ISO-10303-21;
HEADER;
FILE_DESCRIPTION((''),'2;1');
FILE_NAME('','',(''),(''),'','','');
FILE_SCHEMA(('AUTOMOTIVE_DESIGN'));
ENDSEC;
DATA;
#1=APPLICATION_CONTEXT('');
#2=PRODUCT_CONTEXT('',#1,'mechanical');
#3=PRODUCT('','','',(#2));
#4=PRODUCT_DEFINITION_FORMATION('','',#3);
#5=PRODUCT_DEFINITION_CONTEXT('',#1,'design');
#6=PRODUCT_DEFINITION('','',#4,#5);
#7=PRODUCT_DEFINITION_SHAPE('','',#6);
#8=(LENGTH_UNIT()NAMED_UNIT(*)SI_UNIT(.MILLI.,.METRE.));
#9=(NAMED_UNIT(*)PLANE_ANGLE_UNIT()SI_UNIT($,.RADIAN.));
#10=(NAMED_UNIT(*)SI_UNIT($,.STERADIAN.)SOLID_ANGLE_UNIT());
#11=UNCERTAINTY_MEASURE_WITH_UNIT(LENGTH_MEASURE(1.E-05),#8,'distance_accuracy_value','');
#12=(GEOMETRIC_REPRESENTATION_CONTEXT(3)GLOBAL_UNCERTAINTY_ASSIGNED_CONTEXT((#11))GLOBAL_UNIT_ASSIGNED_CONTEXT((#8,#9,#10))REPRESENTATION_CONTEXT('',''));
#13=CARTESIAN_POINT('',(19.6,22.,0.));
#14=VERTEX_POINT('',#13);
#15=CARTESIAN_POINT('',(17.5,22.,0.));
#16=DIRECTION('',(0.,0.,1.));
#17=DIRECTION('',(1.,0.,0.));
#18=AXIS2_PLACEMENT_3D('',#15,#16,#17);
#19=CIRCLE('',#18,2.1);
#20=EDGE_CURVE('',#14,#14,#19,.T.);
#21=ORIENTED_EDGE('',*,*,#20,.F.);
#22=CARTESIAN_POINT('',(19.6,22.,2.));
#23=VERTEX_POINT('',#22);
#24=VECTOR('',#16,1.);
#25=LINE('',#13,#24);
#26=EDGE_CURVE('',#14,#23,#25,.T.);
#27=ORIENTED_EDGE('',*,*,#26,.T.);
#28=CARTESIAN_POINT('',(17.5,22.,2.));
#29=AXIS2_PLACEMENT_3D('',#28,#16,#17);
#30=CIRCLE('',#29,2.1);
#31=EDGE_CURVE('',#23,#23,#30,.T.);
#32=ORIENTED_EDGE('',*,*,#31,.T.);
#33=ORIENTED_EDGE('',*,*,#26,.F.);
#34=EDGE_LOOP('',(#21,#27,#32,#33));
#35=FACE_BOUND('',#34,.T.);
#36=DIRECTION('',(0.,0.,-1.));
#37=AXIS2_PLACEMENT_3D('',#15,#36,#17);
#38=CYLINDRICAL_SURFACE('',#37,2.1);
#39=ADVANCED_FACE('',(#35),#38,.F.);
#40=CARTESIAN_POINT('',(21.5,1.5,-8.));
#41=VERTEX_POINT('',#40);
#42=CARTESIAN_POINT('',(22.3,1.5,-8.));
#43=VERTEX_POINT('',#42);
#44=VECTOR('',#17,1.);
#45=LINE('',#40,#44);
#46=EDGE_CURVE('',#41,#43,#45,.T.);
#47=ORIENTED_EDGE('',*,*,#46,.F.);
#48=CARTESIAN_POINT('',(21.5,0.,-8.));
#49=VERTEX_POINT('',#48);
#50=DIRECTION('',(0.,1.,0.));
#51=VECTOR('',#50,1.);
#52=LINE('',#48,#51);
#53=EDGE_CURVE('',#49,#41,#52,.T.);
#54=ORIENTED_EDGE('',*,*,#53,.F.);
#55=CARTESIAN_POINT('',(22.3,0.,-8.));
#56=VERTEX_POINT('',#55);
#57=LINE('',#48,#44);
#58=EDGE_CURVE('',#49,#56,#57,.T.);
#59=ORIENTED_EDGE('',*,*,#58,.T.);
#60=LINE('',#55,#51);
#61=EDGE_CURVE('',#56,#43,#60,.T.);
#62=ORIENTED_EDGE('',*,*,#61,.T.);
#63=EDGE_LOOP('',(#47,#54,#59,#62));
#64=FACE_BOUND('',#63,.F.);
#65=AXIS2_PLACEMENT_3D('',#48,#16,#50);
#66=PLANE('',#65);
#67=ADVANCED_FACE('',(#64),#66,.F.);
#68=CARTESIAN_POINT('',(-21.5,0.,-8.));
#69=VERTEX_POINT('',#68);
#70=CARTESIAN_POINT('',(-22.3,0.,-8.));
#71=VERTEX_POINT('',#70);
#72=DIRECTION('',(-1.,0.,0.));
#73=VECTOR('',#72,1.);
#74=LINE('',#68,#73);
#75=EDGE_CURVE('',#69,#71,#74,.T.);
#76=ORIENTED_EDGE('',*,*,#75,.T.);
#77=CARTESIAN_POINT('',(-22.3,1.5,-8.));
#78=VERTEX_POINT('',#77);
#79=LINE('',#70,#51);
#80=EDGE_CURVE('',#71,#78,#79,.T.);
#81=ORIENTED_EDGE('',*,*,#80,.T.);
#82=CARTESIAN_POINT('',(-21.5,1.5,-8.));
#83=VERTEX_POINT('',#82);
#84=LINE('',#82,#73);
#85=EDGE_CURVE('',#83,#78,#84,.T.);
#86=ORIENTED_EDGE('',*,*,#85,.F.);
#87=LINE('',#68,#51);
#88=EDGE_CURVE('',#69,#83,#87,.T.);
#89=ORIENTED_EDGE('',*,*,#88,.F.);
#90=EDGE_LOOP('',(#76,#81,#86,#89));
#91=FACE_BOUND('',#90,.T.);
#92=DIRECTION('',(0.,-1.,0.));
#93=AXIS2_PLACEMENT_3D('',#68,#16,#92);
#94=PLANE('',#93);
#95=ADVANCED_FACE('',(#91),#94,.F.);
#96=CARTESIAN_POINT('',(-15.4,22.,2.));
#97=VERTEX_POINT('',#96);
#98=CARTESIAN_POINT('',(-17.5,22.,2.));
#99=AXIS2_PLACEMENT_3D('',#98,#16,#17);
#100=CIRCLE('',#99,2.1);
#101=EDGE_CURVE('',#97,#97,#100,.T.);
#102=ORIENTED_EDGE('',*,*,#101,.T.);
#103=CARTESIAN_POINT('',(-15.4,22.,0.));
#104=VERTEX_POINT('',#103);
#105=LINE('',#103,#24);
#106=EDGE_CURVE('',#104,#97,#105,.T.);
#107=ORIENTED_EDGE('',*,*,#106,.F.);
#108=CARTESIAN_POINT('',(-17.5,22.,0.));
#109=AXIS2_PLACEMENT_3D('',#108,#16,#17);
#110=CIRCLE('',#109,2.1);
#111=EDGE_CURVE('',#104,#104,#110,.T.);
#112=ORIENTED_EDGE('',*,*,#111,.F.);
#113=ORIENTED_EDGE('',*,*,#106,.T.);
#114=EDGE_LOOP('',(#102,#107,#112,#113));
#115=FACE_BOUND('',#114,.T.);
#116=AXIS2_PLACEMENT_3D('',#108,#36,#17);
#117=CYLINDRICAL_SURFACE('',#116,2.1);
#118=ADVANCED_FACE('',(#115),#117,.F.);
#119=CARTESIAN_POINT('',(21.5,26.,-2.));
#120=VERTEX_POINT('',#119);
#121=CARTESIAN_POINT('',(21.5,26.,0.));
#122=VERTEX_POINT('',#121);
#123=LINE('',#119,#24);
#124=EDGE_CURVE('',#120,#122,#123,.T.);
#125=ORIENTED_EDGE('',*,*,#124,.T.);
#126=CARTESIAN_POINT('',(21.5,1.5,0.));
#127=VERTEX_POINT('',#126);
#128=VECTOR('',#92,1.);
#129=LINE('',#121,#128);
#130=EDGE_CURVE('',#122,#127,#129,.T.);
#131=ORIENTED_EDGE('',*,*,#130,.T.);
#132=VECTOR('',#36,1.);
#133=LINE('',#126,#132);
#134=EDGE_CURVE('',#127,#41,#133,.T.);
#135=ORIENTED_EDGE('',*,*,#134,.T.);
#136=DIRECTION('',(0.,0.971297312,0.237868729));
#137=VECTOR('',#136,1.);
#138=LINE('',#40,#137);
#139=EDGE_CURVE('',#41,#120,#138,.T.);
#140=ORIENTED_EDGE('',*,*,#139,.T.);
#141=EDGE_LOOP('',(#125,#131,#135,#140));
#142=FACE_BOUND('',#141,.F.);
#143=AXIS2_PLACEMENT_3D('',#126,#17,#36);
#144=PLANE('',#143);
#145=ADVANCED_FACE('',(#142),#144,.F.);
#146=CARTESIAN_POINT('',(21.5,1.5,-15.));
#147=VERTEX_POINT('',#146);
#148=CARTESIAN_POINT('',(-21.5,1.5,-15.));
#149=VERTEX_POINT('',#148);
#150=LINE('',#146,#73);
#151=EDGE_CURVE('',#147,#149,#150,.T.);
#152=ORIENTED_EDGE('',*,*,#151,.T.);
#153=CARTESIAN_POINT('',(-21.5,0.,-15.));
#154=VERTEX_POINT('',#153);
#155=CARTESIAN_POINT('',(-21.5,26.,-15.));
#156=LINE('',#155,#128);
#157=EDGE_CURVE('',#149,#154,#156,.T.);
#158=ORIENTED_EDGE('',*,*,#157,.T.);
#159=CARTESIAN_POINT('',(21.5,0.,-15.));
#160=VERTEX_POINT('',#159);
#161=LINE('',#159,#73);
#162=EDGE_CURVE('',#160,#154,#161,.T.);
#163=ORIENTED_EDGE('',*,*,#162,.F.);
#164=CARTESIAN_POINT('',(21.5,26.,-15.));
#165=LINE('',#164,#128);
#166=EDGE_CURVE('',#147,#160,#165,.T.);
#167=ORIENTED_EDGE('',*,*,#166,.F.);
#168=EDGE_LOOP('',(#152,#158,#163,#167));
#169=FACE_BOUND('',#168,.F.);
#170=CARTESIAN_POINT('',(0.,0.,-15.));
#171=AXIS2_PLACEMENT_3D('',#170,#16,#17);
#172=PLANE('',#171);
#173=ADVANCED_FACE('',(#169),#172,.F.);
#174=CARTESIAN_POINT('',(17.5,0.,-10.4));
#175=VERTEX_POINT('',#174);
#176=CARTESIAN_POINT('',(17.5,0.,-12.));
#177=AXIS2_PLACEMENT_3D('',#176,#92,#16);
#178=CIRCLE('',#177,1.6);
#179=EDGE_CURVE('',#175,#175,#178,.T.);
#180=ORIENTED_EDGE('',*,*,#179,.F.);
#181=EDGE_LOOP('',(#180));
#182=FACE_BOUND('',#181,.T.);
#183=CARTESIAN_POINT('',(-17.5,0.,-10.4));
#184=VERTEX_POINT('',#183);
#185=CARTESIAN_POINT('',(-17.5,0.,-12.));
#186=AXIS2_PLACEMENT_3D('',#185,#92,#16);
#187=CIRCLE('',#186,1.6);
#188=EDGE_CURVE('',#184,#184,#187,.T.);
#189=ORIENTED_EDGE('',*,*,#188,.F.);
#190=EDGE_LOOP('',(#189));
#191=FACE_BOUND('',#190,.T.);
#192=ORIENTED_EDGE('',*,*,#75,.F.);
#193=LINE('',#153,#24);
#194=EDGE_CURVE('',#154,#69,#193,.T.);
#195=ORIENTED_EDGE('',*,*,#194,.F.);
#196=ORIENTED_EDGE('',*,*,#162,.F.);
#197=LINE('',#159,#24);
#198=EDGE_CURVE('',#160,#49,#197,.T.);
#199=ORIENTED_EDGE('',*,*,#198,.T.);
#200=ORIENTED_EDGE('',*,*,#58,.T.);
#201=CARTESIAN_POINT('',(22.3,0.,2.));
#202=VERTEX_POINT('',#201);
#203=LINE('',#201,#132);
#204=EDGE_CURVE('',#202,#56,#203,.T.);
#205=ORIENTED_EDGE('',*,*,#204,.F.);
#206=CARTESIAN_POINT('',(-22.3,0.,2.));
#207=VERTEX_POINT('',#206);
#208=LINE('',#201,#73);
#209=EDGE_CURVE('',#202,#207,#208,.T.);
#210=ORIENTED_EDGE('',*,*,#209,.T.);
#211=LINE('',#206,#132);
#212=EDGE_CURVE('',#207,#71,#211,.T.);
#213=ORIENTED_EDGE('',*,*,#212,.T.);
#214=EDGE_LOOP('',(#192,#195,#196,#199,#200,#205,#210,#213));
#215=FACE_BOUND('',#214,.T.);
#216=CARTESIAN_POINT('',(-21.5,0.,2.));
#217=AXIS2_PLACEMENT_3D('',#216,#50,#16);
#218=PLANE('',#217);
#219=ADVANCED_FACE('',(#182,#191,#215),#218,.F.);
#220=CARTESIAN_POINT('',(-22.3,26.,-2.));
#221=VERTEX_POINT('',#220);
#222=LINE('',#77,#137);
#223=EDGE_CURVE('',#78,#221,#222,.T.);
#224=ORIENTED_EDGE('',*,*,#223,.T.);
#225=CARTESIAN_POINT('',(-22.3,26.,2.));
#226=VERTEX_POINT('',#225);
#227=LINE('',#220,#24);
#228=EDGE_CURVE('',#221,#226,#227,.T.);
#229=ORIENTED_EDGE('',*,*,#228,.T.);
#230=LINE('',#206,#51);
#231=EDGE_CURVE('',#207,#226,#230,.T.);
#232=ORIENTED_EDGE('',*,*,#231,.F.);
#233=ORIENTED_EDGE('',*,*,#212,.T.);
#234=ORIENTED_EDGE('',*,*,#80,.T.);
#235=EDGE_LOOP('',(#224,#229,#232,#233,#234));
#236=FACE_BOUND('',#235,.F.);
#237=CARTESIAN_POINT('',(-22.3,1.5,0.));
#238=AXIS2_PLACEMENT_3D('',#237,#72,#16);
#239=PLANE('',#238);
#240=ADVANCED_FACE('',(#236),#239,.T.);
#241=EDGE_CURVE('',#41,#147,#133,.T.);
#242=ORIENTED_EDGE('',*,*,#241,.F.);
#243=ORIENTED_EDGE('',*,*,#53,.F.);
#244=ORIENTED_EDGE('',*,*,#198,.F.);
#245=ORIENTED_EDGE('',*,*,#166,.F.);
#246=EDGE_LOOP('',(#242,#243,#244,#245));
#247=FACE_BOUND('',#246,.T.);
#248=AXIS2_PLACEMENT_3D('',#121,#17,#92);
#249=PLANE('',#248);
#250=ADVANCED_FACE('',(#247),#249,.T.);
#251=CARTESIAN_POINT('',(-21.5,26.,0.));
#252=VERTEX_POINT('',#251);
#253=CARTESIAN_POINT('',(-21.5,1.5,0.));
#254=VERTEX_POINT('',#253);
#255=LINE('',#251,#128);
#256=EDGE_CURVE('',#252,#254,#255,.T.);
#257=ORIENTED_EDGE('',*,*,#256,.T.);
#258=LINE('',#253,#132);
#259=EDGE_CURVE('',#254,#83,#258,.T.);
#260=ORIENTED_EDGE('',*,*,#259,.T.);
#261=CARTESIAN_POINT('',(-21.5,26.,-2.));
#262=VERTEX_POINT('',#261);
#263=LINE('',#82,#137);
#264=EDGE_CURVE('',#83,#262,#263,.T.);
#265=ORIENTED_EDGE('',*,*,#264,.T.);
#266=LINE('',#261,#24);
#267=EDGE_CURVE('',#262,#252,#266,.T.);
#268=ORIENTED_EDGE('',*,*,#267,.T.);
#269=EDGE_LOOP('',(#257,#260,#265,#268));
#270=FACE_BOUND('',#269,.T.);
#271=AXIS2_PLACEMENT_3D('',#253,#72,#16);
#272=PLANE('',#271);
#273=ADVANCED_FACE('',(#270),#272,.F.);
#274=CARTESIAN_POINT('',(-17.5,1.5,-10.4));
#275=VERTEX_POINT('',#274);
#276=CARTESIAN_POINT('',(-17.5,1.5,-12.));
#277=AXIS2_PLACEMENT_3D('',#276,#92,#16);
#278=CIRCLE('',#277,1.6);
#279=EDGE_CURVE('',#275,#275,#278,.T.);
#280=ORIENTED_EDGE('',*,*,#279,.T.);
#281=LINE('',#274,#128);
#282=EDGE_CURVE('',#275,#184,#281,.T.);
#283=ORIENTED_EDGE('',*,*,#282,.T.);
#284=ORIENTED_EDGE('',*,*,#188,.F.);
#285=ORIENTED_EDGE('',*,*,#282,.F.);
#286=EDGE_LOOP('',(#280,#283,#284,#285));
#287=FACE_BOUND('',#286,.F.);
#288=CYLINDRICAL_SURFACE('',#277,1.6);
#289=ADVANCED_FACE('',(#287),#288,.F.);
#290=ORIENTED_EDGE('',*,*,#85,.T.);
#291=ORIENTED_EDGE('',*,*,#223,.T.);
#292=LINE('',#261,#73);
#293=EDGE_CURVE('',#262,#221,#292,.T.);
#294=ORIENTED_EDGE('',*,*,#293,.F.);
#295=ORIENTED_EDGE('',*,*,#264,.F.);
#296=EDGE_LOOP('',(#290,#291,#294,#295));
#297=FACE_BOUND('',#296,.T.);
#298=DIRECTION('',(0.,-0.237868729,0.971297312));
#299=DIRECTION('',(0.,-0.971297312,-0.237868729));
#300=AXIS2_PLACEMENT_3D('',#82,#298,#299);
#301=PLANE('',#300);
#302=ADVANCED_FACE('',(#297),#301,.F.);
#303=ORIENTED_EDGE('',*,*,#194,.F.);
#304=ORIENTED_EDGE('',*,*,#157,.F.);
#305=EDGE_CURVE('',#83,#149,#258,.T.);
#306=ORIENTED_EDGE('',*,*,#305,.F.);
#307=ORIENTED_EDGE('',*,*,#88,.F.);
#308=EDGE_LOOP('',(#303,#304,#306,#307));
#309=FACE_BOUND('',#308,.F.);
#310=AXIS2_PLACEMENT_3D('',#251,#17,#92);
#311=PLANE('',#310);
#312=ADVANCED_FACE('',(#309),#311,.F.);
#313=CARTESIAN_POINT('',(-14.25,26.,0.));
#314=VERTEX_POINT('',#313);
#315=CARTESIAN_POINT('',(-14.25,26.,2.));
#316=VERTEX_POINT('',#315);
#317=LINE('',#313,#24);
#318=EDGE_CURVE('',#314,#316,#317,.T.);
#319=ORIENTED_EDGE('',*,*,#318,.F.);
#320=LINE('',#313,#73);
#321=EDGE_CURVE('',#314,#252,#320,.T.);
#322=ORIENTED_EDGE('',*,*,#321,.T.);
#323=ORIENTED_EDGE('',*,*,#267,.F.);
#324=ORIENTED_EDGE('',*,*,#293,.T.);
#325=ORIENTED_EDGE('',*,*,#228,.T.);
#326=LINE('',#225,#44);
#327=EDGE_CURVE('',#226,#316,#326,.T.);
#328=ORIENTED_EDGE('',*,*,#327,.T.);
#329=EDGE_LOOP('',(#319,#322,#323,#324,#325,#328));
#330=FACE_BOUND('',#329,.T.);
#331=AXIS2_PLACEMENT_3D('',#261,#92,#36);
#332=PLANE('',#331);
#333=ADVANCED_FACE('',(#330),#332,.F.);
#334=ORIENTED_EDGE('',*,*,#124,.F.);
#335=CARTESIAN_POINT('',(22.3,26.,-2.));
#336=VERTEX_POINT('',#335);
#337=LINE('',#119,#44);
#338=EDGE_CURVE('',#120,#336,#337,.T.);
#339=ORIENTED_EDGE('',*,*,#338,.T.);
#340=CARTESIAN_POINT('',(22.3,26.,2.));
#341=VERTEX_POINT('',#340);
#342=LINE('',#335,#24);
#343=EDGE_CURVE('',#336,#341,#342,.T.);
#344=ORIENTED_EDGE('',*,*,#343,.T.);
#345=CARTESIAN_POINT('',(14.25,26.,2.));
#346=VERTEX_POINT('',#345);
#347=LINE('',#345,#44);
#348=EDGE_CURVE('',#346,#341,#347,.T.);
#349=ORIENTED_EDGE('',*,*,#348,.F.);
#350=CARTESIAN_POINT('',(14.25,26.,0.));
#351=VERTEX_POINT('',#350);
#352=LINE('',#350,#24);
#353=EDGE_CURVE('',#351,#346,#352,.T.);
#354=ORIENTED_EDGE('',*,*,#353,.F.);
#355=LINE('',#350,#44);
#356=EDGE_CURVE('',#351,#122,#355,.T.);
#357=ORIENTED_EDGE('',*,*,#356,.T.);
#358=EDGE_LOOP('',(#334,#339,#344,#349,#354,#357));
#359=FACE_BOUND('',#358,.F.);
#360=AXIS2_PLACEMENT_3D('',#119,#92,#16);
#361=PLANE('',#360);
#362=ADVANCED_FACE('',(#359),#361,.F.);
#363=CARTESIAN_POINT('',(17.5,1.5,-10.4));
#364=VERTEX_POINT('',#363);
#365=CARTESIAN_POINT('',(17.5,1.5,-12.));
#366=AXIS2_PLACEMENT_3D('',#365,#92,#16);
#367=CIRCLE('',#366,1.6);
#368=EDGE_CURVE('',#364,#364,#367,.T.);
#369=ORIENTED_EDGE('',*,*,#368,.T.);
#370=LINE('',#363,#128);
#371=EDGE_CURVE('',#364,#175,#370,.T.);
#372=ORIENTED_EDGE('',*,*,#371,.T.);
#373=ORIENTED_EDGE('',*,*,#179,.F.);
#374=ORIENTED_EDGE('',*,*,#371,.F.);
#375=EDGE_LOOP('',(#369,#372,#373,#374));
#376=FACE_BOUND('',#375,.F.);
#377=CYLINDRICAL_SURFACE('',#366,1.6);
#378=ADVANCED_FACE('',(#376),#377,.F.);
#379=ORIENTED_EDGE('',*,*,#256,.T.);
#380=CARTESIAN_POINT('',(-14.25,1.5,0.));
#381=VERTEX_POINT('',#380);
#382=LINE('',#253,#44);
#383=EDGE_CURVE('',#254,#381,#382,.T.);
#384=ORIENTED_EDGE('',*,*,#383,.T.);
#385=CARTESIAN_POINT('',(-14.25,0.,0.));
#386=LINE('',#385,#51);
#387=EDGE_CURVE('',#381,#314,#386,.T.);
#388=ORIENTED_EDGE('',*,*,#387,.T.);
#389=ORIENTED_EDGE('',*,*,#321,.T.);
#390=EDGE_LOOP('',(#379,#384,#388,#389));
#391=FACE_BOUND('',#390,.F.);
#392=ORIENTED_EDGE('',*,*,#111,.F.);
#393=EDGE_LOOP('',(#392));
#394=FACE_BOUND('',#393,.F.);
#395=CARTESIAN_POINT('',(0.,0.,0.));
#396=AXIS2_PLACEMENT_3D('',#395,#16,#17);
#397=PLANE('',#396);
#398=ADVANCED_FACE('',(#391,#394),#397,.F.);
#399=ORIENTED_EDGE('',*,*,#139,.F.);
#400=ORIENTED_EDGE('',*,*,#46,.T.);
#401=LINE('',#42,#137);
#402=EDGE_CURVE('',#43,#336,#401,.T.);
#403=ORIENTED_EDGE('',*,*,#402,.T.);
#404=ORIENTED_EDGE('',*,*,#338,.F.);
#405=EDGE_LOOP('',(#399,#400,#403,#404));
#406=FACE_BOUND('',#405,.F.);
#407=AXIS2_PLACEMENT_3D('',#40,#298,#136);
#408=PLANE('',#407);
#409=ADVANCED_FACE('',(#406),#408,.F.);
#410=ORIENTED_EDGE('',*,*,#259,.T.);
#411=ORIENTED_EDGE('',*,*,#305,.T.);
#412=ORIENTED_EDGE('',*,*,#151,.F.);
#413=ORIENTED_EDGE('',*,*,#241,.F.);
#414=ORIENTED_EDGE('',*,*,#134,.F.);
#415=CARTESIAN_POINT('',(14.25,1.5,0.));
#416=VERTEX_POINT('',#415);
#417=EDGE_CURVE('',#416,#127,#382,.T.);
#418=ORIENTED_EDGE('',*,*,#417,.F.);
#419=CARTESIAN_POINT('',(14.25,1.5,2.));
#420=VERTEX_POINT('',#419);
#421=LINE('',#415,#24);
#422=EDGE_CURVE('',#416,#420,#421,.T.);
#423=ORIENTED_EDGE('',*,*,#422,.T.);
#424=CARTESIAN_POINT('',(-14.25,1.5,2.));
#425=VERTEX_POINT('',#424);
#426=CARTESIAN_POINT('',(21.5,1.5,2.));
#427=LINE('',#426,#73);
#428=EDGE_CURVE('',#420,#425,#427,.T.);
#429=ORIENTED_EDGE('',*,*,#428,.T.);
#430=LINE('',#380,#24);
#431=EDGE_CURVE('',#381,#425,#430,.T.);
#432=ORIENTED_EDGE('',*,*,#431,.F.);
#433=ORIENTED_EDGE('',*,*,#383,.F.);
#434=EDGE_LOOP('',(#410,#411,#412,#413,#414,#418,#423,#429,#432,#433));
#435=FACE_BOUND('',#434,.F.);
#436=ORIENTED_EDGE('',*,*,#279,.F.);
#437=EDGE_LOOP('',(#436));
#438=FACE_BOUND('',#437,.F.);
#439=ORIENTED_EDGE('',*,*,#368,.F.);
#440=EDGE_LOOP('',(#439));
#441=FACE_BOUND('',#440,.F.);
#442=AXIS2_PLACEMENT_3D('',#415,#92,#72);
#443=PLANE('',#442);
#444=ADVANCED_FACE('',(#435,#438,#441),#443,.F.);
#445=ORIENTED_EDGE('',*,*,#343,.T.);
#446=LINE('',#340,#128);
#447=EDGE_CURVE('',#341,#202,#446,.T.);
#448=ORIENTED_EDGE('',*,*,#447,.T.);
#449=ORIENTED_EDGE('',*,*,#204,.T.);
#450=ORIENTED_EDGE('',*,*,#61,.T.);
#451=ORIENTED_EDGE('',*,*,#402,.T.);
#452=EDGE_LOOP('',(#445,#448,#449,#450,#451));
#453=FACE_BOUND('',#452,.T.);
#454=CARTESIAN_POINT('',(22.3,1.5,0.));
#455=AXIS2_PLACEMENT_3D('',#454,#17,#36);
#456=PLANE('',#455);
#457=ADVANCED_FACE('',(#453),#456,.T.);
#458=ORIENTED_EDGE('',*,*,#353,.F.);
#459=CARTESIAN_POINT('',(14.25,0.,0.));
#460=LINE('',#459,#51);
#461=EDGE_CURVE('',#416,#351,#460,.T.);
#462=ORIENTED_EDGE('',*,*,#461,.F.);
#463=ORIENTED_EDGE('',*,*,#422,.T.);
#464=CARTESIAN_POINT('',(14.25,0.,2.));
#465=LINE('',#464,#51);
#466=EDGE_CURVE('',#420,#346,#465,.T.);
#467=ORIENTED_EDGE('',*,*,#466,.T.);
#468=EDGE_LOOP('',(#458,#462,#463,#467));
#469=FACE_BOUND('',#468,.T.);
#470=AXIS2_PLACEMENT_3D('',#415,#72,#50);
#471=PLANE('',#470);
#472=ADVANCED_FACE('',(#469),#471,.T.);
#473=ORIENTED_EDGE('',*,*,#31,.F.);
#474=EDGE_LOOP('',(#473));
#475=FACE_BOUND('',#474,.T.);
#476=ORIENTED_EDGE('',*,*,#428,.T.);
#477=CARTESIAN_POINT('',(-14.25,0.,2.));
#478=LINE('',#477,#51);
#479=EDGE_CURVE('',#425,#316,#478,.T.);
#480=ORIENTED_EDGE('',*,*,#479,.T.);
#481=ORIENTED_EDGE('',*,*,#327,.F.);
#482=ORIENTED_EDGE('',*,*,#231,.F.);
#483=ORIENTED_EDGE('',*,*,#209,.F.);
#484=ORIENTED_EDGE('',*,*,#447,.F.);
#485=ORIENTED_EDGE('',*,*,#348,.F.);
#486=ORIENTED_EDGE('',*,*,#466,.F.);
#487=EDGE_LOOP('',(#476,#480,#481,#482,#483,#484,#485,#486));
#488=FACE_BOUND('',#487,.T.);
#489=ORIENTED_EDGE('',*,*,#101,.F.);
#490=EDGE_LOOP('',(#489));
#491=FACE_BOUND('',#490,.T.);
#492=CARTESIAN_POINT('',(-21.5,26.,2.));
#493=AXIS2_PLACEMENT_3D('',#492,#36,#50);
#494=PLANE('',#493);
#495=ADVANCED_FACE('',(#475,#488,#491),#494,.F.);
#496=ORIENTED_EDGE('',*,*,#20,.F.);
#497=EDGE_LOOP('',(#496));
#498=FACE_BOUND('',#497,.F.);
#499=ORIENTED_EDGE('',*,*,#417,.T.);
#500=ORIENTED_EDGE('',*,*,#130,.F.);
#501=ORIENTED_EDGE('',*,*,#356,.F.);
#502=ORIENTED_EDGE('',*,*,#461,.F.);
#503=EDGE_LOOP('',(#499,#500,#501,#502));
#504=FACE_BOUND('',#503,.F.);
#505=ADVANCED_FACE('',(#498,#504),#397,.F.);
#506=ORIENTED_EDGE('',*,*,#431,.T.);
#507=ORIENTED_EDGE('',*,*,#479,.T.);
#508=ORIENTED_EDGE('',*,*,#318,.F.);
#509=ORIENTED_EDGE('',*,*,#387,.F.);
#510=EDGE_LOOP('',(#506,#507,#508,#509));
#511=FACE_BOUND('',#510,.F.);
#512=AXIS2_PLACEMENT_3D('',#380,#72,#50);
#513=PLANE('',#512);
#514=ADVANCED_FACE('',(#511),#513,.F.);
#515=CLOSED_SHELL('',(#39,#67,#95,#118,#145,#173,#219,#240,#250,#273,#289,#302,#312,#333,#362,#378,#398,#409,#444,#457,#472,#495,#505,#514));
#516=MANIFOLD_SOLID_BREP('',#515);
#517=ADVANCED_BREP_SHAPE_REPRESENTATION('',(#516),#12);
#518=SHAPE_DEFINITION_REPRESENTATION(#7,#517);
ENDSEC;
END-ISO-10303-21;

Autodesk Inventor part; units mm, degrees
ref_plane "YZ Plane" through (0, 0, 0) normal (1, 0, 0) x (0, 1, 0)
ref_plane "XZ Plane" through (0, 0, 0) normal (0, 1, 0) x (-1, 0, 0)
ref_plane "XY Plane" through (0, 0, 0) normal (0, 0, 1) x (1, 0, 0)
sketch "スケッチ1" plane through (0, 0, 0) normal (0, 0, 1) x (1, 0, 0)
  line L0 (0, 0) -> (0, 23.3181) construction
  line L1 (-22.6457, 22) -> (22.6457, 22) construction
  line L2 (-20.3832, 1.5) -> (20.3832, 1.5) construction
  circle A0 centre (0, 22) radius 14 construction
  line L3 (-22.6457, 14) -> (22.6457, 14) construction
  circle A1 centre (-17.5, 22) radius 2.1
  circle A2 centre (17.5, 22) radius 2.1
  line L4 (-21.5, 26) -> (-21.5, 0)
  line L5 (-21.5, 0) -> (-14.25, 0)
  line L6 (-14.25, 0) -> (-14.25, 26)
  line L7 (21.5, 26) -> (21.5, 0)
  line L8 (21.5, 0) -> (14.25, 0)
  line L9 (14.25, 0) -> (14.25, 26)
  line L10 (-14.25, 26) -> (-21.5, 26)
  line L11 (14.25, 26) -> (21.5, 26)
  line L12 (21.5, 1.5) -> (-21.5, 1.5)
  line L13 (-21.5, 1.5) -> (-21.5, 0)
  line L14 (-21.5, 0) -> (21.5, 0)
  line L15 (21.5, 0) -> (21.5, 1.5)
  point P0 (0, 1.5)
  point P1 (0, 14)
  point P2 (14.25, 1.5)
  point P3 (-14.25, 1.5)
  point P4 (0, 0)
  dimension "d0" = 28
  dimension "d1" = 1.5
  dimension "d2" = 8
  dimension "d3" = 4.2
  dimension "d4" = 35
  dimension "d29" = 3.25
  dimension "d30" = 3.25
  dimension "d31" = 4
  dimension "d32" = 4
  dimension "d46" = 22
  dimension "d47" = 4
extrude "前" add sketch "スケッチ1" along normal blind 2
extrude "底" add sketch "スケッチ1" against normal blind 15 contours L12 L6 L5 L4 | L12 L9 L14 L6 | L12 L7 L8 L9
sketch "スケッチ5" plane through (-14.25, 1.5, 2) normal (0, 1, 0) x (1, 0, 0)
  line L0 (14.25, -6.214) -> (14.25, 25.3742) construction
  line L1 (28.5, 0) -> (0, 0) construction
  point P0 (14.25, 2)
  point P1 (-3.25, 14)
  point P2 (31.75, 14)
  dimension "d33" = 35
  dimension "d34" = 14
hole "穴2" at (-17.5, 1.5, -12) at (17.5, 1.5, -12) direction (0, -1, 0) diameter 3.2 end through all
sketch "スケッチ6" plane through (21.5, 1.5, 0) normal (1, 0, 0) x (0, 0, -1)
  line L0 (2, 24.5) -> (-2, 24.5)
  line L1 (-2, 24.5) -> (-2, 0) projected
  line L2 (-2, 24.5) -> (-2, -1.5)
  line L3 (-2, -1.5) -> (8, -1.5)
  line L4 (8, -1.5) -> (8, 0)
  line L5 (8, 0) -> (2, 24.5)
  point P0 (0, -1.5)
  point P1 (15, 0)
  dimension "d42" = 4
  dimension "d43" = 10
extrude "押し出し5" add sketch "スケッチ6" along normal blind 0.8
mirror "ミラー3" about plane through (0, 0, 0) normal (1, 0, 0) of "押し出し5"
equation "\"d30\" = d29"
equation "\"d32\" = d31"
properties part number "28BYJ-48_Braket3"
